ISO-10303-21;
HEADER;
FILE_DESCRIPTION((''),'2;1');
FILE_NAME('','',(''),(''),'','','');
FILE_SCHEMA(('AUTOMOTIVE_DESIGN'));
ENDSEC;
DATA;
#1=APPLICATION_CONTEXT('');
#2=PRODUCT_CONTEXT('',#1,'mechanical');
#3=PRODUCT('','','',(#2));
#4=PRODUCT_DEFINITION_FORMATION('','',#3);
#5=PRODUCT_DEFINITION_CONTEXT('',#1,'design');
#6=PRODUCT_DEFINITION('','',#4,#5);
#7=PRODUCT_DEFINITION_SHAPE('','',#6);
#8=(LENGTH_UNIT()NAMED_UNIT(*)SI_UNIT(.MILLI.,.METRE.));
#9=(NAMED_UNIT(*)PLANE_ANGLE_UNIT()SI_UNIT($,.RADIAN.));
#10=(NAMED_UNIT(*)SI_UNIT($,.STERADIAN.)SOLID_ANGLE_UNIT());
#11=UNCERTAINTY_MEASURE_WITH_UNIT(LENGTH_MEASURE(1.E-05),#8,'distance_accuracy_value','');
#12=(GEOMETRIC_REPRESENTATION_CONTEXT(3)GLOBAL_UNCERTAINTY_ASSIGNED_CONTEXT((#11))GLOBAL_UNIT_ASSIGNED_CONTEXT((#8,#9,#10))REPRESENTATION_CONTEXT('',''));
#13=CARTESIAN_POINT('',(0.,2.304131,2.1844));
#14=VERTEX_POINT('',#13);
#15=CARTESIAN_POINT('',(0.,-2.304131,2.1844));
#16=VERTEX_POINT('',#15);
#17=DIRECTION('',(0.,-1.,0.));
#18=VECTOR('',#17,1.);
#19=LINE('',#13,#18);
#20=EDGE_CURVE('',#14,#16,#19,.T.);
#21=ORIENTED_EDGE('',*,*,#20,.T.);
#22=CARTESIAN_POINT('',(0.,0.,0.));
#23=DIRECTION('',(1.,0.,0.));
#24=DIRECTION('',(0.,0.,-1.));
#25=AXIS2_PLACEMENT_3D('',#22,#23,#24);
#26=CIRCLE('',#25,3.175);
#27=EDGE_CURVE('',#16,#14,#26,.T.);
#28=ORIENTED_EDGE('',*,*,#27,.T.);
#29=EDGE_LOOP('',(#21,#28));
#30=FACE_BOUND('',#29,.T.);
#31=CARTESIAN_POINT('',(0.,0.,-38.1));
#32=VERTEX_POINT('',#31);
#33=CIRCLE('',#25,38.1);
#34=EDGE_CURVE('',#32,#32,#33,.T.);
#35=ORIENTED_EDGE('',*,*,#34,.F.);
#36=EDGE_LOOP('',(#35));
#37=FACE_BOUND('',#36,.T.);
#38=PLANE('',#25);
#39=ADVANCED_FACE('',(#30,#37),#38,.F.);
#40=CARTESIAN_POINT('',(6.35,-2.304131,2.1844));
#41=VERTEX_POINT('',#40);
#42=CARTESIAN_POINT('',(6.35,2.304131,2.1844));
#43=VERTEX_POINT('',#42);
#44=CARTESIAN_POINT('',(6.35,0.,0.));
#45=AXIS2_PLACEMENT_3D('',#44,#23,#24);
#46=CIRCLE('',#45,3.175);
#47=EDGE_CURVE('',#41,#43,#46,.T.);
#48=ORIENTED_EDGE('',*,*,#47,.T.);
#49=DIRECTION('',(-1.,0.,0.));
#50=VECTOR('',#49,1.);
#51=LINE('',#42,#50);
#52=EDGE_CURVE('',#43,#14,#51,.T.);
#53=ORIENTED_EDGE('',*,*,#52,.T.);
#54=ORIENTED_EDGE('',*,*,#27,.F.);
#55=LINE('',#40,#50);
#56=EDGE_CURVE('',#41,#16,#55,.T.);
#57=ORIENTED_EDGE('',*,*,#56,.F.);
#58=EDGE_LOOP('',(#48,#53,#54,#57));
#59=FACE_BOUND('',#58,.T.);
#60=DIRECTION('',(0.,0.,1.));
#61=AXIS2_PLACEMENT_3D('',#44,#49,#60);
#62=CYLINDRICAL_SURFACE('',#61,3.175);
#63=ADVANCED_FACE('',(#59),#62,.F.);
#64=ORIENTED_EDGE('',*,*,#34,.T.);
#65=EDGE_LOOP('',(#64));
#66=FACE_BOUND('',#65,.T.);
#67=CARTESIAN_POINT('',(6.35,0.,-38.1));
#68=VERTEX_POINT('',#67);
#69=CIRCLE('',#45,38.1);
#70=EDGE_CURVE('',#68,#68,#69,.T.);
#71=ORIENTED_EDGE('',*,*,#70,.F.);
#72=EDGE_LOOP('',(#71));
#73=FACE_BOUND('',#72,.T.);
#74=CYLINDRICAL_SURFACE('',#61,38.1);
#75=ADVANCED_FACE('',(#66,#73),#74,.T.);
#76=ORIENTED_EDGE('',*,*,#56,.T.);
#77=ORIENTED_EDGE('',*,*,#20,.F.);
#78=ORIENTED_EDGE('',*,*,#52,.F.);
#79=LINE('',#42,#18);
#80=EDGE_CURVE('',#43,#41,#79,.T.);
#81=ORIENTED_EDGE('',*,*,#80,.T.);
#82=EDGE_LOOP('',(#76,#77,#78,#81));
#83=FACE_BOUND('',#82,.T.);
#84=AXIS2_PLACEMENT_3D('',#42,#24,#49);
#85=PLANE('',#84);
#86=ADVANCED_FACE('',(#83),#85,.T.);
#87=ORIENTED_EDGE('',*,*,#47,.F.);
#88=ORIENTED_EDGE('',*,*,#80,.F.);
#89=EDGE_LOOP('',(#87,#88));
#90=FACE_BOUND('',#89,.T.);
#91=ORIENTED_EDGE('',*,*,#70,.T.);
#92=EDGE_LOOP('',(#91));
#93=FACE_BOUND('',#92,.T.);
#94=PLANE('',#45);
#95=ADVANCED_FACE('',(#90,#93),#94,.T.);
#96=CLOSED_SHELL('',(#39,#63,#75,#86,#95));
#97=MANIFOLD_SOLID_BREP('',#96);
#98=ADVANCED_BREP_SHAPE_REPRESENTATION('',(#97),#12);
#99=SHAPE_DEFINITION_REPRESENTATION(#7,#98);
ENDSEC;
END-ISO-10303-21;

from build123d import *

# Parameters (mm, degrees)
SKETCH1_R           = 38.1
BOSS_EXTRUDE1_DEPTH = 6.35


with BuildPart() as part:
    # Sketch1 → Boss-Extrude1 (new body)
    with BuildSketch(Plane(origin=(0, 0, 0), x_dir=(0, 0, -1), z_dir=(1, 0, 0))):
        Circle(SKETCH1_R)
        with BuildLine():
            Line((-2.1844, 2.304131429), (-2.1844, -2.304131429))
            ThreePointArc((-2.1844, -2.304131429), (3.175, 0), (-2.1844, 2.304131429))
        make_face(mode=Mode.SUBTRACT)
    extrude(amount=BOSS_EXTRUDE1_DEPTH)


solid = part.part
